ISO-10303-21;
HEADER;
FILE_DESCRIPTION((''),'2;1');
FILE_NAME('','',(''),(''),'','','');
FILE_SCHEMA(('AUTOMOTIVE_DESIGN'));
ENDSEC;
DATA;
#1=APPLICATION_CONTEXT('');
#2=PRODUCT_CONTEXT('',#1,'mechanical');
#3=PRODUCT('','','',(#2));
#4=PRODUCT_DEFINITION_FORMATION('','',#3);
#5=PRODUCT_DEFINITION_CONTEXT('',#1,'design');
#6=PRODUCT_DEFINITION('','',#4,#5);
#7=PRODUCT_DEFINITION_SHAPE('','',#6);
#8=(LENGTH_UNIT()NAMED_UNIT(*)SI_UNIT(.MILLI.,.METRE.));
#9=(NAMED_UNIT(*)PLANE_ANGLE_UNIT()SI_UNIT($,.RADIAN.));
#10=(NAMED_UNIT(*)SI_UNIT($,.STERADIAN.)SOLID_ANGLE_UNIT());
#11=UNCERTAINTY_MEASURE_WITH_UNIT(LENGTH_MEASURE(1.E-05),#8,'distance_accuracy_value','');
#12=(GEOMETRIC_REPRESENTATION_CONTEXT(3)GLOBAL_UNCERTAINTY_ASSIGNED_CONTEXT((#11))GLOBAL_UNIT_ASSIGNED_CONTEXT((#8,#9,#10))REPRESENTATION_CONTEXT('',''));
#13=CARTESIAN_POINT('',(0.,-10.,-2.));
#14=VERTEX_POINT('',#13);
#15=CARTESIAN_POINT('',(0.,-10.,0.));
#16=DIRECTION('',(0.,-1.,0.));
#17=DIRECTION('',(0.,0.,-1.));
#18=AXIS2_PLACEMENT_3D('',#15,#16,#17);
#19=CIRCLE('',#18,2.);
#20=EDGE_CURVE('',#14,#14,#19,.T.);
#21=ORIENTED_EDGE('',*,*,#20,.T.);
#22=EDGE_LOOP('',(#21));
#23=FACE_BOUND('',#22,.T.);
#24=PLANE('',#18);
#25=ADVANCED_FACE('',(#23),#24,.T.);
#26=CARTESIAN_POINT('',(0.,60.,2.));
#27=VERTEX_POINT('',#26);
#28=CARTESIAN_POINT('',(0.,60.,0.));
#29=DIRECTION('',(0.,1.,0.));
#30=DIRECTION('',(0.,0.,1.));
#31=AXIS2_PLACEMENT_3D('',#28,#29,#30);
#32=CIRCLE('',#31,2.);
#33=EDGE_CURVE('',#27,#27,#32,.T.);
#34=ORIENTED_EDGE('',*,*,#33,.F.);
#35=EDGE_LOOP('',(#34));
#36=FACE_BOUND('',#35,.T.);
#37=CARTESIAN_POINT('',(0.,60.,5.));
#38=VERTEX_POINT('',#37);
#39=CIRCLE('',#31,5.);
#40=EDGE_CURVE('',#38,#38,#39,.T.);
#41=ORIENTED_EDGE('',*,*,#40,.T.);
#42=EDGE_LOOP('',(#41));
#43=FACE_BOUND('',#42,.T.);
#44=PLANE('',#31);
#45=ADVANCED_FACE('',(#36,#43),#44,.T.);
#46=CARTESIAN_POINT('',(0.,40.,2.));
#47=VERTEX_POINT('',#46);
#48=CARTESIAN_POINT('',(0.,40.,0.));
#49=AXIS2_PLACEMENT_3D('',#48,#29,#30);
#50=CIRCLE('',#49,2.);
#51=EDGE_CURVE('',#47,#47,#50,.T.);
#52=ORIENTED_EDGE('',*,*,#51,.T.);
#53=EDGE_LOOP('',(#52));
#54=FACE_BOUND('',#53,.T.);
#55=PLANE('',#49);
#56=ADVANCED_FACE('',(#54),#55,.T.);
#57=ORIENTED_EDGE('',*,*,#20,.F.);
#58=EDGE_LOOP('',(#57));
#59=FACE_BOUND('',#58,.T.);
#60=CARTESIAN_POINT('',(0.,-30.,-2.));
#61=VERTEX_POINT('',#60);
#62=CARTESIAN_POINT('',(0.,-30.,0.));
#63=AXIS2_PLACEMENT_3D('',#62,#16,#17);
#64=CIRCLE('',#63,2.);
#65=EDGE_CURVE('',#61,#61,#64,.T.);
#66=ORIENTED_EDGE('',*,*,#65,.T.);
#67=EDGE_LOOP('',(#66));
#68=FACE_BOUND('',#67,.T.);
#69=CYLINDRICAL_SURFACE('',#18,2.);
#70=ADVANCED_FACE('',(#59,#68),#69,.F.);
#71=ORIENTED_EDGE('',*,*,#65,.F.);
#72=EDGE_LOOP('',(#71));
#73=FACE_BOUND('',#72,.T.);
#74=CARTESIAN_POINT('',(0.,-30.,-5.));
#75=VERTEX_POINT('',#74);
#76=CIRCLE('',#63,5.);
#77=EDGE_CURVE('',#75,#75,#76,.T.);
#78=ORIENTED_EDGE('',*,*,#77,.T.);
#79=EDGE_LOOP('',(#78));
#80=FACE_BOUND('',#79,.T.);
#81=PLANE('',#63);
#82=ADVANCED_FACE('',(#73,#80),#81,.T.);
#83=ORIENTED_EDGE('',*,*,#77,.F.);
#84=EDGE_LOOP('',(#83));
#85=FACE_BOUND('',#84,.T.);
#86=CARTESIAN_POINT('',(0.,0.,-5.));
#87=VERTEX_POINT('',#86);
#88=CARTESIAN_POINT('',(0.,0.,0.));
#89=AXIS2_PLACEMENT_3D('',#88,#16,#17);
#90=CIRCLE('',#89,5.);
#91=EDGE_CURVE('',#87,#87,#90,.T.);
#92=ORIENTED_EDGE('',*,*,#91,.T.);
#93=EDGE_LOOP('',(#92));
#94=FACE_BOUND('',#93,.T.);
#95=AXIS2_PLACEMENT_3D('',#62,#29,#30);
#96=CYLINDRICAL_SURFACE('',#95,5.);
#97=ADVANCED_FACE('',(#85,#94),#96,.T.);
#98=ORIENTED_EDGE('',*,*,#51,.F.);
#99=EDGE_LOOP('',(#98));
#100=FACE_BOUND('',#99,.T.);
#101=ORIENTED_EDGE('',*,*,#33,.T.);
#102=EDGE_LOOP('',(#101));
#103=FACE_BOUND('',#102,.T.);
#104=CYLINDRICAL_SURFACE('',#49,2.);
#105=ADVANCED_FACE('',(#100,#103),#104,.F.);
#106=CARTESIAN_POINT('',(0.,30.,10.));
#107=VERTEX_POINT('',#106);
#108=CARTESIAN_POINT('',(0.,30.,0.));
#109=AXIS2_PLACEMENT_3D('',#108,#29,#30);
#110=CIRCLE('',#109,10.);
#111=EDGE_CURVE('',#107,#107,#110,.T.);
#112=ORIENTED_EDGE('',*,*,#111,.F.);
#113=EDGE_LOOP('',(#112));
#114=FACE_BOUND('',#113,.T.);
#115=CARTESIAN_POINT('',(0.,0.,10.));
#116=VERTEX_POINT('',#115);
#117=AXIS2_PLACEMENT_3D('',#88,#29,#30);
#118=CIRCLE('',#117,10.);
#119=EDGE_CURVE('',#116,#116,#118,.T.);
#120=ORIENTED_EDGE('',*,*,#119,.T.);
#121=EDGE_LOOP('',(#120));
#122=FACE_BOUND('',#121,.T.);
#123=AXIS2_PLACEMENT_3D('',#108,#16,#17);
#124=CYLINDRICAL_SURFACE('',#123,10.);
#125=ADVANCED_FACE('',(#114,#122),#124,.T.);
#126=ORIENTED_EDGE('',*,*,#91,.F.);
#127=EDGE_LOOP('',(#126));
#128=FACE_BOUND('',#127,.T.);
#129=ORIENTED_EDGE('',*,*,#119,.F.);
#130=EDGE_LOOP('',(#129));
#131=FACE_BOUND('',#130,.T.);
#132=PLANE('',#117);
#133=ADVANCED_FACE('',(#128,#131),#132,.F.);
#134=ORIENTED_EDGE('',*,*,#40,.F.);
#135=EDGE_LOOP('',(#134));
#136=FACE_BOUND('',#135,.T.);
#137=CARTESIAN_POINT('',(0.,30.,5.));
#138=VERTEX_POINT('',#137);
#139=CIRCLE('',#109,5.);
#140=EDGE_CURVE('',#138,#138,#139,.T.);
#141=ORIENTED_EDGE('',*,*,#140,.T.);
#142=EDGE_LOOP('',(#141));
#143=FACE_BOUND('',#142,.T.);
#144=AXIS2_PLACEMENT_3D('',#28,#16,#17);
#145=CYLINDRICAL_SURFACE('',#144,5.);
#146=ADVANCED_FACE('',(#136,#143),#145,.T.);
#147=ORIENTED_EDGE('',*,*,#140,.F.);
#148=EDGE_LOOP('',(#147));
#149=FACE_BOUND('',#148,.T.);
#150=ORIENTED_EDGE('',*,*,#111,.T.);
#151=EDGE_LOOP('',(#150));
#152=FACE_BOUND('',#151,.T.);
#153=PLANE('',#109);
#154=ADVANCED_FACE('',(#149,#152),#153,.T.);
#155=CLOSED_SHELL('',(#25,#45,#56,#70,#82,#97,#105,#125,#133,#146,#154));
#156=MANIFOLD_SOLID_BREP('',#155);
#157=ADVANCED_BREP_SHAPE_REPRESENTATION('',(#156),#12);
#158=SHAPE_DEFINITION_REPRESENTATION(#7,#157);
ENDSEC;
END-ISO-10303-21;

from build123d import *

# Parameters (mm, degrees)
SKETCH_1_R          = 10
EXTRUDE_1_DEPTH     = 30
SKETCH_2_R          = 5
EXTRUDE_2_DEPTH     = 30
EXTRUDE_START       = 30
SKETCH_3_R          = 5
EXTRUDE_3_DEPTH     = 30
SKETCH_4_R          = 2
CUT_EXTRUDE_1_DEPTH = 20
CUT_EXTRUDE_START   = -20
SKETCH_5_R          = 2
CUT_EXTRUDE_2_DEPTH = 20


with BuildPart() as part:
    # 草图1 → 凸台-拉伸1 (new body)
    with BuildSketch(Plane(origin=(0, 0, 0), x_dir=(1, 0, 0), z_dir=(0, 1, 0))):
        with Locations(Location((0, 0, 0), (0, 0, 270))):
            Circle(SKETCH_1_R)
    extrude(amount=EXTRUDE_1_DEPTH)

    # 草图2 → 凸台-拉伸2 (add)
    with BuildSketch(Plane(origin=(0, 30, 0), x_dir=(1, 0, 0), z_dir=(0, 1, 0))):
        with Locations(Location((0, 0, 0), (0, 0, 270))):
            Circle(SKETCH_2_R)
    extrude(amount=EXTRUDE_2_DEPTH)

    # 草图3 → 凸台-拉伸3 (add)
    with BuildSketch(Plane(origin=(0, 0, 0), x_dir=(-1, 0, 0), z_dir=(0, -1, 0)).offset(EXTRUDE_START)):
        with Locations(Location((0, 0, 0), (0, 0, 270))):
            Circle(SKETCH_3_R)
    extrude(amount=-EXTRUDE_3_DEPTH)

    # 草图4 → 切除-拉伸1 (cut)
    with BuildSketch(Plane(origin=(0, 60, 0), x_dir=(1, 0, 0), z_dir=(0, 1, 0))):
        with Locations(Location((0, 0, 0), (0, 0, 270))):
            Circle(SKETCH_4_R)
    extrude(amount=-CUT_EXTRUDE_1_DEPTH, mode=Mode.SUBTRACT)

    # 草图5 → 切除-拉伸2 (cut)
    with BuildSketch(Plane(origin=(0, -30, 0), x_dir=(-1, 0, 0), z_dir=(0, -1, 0)).offset(CUT_EXTRUDE_START)):
        with Locations(Location((0, 0, 0), (0, 0, 270))):
            Circle(SKETCH_5_R)
    extrude(amount=CUT_EXTRUDE_2_DEPTH, mode=Mode.SUBTRACT)


solid = part.part
